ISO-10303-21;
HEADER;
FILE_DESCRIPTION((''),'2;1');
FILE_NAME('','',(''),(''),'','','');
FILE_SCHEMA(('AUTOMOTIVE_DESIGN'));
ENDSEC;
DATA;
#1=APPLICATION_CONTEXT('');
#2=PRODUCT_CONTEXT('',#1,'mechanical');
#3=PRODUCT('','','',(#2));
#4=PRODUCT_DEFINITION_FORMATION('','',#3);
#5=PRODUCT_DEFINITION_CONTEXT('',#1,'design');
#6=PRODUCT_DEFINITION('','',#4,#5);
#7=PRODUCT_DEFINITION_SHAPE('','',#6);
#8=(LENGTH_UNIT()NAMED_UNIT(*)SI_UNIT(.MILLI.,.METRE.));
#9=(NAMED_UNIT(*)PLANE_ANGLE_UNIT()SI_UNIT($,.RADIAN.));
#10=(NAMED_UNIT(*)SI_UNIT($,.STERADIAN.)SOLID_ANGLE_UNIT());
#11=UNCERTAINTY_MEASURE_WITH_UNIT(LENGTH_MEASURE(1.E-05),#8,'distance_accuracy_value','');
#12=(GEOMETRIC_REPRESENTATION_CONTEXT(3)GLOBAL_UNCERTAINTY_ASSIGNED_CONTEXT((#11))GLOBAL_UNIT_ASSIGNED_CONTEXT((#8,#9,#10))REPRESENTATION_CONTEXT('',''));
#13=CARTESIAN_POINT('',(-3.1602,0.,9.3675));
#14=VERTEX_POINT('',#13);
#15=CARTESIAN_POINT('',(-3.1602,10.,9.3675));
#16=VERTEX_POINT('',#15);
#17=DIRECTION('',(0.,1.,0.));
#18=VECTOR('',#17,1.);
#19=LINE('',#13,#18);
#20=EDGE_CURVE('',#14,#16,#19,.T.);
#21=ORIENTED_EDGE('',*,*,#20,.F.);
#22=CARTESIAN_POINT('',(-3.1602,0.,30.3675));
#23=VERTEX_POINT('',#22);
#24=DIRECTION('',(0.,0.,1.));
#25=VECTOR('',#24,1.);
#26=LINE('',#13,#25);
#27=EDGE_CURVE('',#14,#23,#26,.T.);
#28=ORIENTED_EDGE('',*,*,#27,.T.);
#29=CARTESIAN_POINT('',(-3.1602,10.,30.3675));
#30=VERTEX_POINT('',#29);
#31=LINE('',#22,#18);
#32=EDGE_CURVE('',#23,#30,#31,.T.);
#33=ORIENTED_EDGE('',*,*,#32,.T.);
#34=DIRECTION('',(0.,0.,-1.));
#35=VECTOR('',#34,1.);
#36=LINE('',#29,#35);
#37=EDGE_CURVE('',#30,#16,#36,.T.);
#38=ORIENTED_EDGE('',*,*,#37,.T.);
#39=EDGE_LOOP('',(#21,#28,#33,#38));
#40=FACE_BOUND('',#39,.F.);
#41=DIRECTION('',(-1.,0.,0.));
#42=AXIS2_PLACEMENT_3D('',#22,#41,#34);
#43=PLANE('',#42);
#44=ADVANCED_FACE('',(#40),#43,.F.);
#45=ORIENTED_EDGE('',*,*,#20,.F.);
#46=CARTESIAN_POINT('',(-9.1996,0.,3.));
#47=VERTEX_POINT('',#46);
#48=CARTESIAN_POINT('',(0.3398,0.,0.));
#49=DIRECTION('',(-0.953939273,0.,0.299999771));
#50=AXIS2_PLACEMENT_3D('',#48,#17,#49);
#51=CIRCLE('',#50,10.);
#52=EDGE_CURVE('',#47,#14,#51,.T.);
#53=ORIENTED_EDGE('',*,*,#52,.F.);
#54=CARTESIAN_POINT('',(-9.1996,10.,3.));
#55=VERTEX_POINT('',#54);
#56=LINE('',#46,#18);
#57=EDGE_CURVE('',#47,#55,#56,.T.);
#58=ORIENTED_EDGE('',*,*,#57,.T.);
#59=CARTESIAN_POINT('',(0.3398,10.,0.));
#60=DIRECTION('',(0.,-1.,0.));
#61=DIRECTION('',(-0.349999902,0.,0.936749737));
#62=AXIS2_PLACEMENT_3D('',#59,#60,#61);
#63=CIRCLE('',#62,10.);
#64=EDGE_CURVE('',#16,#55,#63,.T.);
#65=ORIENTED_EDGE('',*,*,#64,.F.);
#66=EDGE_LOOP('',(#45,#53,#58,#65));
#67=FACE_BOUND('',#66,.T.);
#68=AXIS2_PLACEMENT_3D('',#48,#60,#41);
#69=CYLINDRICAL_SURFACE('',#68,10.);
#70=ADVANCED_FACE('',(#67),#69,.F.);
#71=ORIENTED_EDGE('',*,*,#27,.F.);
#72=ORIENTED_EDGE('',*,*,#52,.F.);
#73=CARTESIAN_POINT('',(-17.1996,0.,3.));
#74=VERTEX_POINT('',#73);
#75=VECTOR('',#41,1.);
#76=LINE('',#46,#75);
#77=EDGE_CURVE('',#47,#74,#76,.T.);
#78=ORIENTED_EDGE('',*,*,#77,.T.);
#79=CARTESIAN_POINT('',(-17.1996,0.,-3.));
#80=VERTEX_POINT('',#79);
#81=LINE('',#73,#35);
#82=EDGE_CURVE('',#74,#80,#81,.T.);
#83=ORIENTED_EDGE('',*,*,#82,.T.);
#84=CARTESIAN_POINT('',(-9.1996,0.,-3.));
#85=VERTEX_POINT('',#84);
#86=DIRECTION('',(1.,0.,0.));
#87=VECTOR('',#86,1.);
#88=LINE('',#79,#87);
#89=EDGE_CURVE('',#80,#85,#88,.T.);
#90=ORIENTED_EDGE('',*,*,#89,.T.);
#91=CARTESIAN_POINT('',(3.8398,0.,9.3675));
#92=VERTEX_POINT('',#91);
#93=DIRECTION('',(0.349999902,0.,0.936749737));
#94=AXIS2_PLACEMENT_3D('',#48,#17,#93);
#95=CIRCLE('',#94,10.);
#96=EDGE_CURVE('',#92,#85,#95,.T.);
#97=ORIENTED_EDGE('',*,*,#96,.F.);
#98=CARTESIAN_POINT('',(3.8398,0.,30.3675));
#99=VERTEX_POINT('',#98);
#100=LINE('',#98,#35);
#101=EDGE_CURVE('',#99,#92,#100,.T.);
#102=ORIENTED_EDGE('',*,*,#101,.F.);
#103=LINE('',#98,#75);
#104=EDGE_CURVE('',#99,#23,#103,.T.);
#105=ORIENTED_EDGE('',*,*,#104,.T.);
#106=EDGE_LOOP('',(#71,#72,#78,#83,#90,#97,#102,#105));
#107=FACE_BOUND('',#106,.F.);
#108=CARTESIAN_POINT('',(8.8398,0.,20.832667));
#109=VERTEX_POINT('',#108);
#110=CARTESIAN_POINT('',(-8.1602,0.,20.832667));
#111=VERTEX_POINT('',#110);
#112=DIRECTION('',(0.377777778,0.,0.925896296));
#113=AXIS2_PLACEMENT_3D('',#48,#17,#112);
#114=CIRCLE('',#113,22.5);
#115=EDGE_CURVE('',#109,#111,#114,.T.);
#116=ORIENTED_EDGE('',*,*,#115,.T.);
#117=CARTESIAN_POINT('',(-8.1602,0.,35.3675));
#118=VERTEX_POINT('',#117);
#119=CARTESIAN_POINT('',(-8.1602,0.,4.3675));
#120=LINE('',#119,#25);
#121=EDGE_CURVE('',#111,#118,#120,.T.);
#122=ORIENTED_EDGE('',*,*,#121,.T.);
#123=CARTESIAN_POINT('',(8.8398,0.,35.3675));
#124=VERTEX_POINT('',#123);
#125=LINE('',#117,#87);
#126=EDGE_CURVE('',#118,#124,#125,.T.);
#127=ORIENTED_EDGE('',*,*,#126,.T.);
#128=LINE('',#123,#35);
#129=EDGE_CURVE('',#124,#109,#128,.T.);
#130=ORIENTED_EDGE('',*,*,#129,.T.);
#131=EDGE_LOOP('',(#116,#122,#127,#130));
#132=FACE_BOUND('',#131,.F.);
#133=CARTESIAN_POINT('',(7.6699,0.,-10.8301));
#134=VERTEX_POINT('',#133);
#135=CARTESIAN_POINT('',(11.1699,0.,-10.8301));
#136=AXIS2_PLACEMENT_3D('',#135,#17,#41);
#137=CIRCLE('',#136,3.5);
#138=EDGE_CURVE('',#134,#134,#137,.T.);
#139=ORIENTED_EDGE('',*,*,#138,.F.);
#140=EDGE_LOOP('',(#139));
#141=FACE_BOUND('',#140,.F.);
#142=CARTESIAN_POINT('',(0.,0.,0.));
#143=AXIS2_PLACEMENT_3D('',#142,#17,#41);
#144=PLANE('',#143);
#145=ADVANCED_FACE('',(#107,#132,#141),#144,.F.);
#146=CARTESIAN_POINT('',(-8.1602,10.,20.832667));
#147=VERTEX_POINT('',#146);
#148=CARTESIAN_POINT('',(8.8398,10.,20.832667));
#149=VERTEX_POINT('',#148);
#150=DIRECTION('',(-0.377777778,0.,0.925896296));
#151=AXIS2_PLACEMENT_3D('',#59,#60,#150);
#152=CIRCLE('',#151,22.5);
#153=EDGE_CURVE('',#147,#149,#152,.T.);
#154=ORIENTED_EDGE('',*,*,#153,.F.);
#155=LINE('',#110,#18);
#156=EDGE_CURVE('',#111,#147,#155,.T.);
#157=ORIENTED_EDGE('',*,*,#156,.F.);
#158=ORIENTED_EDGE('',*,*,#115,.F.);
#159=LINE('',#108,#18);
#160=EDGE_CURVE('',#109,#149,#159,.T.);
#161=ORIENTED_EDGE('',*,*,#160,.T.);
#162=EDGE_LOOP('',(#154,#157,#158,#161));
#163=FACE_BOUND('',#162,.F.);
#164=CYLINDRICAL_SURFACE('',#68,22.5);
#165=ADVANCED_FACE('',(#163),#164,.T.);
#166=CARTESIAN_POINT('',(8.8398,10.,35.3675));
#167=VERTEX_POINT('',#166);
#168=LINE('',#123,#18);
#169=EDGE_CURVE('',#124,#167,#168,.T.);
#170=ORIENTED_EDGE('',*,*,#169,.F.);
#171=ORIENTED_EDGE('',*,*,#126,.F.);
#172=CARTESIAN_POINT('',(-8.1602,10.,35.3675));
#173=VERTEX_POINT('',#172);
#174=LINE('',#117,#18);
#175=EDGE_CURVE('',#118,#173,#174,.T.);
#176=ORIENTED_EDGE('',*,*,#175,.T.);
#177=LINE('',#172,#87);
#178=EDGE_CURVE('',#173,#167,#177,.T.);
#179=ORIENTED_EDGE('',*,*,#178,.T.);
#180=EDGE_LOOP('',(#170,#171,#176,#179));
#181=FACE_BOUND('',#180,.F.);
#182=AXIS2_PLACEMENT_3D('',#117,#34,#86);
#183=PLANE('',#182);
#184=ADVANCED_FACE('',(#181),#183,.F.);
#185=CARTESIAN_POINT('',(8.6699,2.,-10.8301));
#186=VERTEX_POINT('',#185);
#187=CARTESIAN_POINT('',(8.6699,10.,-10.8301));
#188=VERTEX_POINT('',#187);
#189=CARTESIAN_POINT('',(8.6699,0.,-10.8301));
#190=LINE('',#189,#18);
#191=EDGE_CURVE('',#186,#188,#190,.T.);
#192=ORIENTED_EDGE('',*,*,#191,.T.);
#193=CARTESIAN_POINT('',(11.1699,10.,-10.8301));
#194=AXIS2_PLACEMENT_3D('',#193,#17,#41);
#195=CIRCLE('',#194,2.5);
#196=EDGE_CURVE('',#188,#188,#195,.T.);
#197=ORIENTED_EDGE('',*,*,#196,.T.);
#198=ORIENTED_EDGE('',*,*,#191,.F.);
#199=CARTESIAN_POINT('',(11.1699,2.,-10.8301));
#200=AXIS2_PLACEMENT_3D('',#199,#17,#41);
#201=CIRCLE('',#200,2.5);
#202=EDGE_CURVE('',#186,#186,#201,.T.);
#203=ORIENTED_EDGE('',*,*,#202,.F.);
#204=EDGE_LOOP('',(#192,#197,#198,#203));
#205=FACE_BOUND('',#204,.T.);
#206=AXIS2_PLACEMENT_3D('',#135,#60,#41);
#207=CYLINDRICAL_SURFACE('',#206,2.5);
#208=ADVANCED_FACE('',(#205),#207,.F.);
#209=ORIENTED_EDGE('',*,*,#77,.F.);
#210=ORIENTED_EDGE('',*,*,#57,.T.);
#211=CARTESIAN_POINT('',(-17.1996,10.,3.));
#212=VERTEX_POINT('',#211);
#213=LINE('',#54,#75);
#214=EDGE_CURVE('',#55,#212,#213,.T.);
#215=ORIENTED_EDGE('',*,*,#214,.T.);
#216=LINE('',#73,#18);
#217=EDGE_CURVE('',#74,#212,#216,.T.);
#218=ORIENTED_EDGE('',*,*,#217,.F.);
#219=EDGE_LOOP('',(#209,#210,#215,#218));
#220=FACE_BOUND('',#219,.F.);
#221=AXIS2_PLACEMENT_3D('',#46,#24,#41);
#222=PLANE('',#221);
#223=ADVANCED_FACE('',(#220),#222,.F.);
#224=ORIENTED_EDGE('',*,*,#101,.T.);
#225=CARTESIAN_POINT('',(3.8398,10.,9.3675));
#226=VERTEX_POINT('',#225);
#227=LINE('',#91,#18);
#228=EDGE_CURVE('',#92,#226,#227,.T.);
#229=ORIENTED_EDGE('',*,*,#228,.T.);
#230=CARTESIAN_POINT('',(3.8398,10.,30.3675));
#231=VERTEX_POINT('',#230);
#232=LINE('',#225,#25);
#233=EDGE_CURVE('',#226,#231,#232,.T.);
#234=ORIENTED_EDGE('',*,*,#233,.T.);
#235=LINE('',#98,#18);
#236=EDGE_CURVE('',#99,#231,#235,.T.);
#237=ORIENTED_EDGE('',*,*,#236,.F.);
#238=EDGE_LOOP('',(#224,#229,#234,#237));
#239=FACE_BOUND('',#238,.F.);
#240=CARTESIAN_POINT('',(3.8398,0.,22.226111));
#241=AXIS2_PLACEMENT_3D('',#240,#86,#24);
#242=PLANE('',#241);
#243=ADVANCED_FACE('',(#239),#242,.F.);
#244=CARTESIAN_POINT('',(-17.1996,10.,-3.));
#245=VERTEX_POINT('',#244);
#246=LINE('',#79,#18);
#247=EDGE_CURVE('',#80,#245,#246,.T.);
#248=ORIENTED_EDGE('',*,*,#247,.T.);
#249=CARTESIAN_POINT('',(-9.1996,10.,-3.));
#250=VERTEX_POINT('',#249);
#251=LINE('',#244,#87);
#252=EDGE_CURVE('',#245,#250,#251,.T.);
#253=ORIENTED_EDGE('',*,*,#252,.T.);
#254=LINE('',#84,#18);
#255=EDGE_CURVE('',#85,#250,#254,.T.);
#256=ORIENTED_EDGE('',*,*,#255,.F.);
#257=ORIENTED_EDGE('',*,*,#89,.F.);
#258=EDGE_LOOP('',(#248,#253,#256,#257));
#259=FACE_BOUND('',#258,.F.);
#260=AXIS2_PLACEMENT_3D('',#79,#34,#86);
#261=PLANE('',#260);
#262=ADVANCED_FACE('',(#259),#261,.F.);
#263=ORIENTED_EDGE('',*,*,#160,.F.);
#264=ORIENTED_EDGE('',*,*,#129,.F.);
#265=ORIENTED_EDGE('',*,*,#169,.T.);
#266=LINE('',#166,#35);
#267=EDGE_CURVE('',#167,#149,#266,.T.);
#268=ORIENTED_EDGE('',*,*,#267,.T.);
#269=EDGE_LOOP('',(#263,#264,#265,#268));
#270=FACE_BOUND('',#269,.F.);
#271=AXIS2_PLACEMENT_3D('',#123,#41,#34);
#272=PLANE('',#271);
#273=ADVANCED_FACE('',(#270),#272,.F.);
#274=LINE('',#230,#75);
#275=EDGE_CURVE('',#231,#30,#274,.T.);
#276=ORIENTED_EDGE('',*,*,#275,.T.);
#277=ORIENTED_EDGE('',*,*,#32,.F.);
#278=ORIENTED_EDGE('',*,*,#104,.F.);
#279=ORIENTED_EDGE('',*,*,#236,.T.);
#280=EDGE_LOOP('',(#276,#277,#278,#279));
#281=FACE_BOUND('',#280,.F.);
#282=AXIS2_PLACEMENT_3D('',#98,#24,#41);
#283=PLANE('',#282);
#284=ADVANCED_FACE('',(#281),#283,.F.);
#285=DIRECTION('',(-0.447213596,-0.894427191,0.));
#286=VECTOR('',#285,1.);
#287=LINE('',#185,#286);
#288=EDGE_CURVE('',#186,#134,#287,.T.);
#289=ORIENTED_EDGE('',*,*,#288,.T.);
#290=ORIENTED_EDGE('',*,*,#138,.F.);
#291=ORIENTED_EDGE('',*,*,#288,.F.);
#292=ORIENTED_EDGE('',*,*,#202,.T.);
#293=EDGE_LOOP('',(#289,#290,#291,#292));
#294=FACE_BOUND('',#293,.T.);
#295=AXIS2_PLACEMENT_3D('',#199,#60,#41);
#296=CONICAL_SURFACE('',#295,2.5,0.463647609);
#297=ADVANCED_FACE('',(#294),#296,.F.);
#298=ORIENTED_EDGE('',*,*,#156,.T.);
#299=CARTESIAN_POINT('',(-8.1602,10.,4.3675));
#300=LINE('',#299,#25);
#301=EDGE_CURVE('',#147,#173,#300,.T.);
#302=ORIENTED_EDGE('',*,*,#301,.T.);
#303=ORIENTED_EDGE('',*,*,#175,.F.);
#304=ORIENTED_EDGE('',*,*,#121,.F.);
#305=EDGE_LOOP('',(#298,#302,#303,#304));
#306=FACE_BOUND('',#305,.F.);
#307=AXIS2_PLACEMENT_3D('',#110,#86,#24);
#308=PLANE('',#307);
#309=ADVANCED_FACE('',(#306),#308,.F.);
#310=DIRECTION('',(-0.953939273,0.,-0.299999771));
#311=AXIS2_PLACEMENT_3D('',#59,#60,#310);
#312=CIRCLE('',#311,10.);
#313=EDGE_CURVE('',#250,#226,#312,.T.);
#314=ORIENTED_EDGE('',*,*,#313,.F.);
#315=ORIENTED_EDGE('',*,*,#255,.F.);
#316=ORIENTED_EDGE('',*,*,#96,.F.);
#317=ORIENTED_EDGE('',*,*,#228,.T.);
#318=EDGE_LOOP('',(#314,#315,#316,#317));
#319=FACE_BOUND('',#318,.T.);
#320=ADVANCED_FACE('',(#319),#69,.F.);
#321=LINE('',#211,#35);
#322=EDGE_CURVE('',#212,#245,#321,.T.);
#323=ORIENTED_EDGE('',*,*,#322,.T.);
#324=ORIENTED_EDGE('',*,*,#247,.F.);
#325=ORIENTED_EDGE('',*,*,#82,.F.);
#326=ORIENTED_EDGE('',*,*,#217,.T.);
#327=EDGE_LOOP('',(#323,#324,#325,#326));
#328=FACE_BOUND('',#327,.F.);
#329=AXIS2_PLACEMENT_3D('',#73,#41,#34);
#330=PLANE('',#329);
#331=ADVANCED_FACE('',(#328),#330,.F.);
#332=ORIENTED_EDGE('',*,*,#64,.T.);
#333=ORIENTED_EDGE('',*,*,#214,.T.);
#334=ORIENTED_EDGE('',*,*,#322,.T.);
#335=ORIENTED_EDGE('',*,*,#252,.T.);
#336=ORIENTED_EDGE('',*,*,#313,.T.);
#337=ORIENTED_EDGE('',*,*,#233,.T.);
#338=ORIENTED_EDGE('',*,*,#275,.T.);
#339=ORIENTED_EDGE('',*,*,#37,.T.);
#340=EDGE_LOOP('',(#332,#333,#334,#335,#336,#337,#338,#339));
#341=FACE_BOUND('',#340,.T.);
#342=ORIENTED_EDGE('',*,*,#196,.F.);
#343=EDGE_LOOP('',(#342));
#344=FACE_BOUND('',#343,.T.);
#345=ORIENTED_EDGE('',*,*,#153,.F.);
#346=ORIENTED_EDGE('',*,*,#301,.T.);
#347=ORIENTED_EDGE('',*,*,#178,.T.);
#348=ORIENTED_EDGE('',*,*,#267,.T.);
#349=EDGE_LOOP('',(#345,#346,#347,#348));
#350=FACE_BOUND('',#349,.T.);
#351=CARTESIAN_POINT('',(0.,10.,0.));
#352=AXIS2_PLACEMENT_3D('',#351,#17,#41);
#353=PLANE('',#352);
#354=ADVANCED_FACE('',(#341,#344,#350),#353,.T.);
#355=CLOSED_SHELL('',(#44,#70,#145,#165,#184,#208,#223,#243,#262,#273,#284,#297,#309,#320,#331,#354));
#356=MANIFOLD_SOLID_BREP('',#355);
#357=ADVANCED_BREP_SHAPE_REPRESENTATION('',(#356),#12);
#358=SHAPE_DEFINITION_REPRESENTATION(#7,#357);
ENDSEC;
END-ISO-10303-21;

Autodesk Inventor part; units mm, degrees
ref_plane "YZ Plane" through (0, 0, 0) normal (1, 0, 0) x (0, 1, 0)
ref_plane "XZ Plane" through (0, 0, 0) normal (0, 1, 0) x (-1, 0, 0)
ref_plane "XY Plane" through (0, 0, 0) normal (0, 0, 1) x (1, 0, 0)
sketch "Esquisse1" plane through (0, 0, 0) normal (0, 1, 0) x (-1, 0, 0)
  circle A0 centre (-0.3398, 0) radius 22.5
  circle A1 centre (-0.3398, 0) radius 10
  line L0 (3.1602, 9.3675) -> (-3.8398, 9.3675)
  line L1 (-3.8398, 9.3675) -> (-3.8398, 30.3675)
  line L2 (-3.8398, 30.3675) -> (3.1602, 30.3675)
  line L3 (3.1602, 30.3675) -> (3.1602, 9.3675)
  line L4 (-8.8398, 35.3675) -> (-8.8398, 4.3675)
  line L5 (-8.8398, 4.3675) -> (8.1602, 4.3675)
  line L6 (8.1602, 4.3675) -> (8.1602, 35.3675)
  line L7 (8.1602, 35.3675) -> (-8.8398, 35.3675)
  line L8 (17.1996, -3) -> (9.1996, -3)
  line L9 (9.1996, -3) -> (9.1996, 3)
  line L10 (9.1996, 3) -> (17.1996, 3)
  line L11 (17.1996, 3) -> (17.1996, -3)
  line L12 (15.5701, 15.9099) -> (-16.2497, -15.9099) construction
  line L13 (-0.3398, -15.9099) -> (-16.2497, -15.9099) construction
  line L14 (-16.2497, -15.9099) -> (-16.2497, 0) construction
  line L15 (-0.3398, -15.9099) -> (-0.3398, 0) construction
  line L16 (-0.3398, 0) -> (-16.2497, 0) construction
  circle A2 centre (-11.1699, -10.8301) radius 2.5
  line L17 (-11.1699, -10.8301) -> (-16.2497, -15.9099) construction
  line L18 (-7.4109, -7.0711) -> (-11.1699, -10.8301) construction
  point P0 (-8.8398, 20.8327)
  point P1 (8.1602, 20.8327)
  dimension "d2" = 45
  dimension "d3" = 20
  dimension "d4" = 7
  dimension "d5" = 21
  dimension "d6" = 5
  dimension "d7" = 6
  dimension "d8" = 8
  dimension "d9" = 5
extrude "Extrusion1" add sketch "Esquisse1" along normal blind 10 contours A0 L4 A1 L8 L11 L10 L6 | L6 A1 L3 A0 | A0 L3 L2 L1 L4 L7 L6 | A0 L1 A1 L4
chamfer "Chanfrein1" distance 2 distance2 1 1 edges at (13.6699, 0, -10.8301) measured on face at (8.7023, 6.6667, -11.2311)
properties part number "Pièce_maintient_pièce"
